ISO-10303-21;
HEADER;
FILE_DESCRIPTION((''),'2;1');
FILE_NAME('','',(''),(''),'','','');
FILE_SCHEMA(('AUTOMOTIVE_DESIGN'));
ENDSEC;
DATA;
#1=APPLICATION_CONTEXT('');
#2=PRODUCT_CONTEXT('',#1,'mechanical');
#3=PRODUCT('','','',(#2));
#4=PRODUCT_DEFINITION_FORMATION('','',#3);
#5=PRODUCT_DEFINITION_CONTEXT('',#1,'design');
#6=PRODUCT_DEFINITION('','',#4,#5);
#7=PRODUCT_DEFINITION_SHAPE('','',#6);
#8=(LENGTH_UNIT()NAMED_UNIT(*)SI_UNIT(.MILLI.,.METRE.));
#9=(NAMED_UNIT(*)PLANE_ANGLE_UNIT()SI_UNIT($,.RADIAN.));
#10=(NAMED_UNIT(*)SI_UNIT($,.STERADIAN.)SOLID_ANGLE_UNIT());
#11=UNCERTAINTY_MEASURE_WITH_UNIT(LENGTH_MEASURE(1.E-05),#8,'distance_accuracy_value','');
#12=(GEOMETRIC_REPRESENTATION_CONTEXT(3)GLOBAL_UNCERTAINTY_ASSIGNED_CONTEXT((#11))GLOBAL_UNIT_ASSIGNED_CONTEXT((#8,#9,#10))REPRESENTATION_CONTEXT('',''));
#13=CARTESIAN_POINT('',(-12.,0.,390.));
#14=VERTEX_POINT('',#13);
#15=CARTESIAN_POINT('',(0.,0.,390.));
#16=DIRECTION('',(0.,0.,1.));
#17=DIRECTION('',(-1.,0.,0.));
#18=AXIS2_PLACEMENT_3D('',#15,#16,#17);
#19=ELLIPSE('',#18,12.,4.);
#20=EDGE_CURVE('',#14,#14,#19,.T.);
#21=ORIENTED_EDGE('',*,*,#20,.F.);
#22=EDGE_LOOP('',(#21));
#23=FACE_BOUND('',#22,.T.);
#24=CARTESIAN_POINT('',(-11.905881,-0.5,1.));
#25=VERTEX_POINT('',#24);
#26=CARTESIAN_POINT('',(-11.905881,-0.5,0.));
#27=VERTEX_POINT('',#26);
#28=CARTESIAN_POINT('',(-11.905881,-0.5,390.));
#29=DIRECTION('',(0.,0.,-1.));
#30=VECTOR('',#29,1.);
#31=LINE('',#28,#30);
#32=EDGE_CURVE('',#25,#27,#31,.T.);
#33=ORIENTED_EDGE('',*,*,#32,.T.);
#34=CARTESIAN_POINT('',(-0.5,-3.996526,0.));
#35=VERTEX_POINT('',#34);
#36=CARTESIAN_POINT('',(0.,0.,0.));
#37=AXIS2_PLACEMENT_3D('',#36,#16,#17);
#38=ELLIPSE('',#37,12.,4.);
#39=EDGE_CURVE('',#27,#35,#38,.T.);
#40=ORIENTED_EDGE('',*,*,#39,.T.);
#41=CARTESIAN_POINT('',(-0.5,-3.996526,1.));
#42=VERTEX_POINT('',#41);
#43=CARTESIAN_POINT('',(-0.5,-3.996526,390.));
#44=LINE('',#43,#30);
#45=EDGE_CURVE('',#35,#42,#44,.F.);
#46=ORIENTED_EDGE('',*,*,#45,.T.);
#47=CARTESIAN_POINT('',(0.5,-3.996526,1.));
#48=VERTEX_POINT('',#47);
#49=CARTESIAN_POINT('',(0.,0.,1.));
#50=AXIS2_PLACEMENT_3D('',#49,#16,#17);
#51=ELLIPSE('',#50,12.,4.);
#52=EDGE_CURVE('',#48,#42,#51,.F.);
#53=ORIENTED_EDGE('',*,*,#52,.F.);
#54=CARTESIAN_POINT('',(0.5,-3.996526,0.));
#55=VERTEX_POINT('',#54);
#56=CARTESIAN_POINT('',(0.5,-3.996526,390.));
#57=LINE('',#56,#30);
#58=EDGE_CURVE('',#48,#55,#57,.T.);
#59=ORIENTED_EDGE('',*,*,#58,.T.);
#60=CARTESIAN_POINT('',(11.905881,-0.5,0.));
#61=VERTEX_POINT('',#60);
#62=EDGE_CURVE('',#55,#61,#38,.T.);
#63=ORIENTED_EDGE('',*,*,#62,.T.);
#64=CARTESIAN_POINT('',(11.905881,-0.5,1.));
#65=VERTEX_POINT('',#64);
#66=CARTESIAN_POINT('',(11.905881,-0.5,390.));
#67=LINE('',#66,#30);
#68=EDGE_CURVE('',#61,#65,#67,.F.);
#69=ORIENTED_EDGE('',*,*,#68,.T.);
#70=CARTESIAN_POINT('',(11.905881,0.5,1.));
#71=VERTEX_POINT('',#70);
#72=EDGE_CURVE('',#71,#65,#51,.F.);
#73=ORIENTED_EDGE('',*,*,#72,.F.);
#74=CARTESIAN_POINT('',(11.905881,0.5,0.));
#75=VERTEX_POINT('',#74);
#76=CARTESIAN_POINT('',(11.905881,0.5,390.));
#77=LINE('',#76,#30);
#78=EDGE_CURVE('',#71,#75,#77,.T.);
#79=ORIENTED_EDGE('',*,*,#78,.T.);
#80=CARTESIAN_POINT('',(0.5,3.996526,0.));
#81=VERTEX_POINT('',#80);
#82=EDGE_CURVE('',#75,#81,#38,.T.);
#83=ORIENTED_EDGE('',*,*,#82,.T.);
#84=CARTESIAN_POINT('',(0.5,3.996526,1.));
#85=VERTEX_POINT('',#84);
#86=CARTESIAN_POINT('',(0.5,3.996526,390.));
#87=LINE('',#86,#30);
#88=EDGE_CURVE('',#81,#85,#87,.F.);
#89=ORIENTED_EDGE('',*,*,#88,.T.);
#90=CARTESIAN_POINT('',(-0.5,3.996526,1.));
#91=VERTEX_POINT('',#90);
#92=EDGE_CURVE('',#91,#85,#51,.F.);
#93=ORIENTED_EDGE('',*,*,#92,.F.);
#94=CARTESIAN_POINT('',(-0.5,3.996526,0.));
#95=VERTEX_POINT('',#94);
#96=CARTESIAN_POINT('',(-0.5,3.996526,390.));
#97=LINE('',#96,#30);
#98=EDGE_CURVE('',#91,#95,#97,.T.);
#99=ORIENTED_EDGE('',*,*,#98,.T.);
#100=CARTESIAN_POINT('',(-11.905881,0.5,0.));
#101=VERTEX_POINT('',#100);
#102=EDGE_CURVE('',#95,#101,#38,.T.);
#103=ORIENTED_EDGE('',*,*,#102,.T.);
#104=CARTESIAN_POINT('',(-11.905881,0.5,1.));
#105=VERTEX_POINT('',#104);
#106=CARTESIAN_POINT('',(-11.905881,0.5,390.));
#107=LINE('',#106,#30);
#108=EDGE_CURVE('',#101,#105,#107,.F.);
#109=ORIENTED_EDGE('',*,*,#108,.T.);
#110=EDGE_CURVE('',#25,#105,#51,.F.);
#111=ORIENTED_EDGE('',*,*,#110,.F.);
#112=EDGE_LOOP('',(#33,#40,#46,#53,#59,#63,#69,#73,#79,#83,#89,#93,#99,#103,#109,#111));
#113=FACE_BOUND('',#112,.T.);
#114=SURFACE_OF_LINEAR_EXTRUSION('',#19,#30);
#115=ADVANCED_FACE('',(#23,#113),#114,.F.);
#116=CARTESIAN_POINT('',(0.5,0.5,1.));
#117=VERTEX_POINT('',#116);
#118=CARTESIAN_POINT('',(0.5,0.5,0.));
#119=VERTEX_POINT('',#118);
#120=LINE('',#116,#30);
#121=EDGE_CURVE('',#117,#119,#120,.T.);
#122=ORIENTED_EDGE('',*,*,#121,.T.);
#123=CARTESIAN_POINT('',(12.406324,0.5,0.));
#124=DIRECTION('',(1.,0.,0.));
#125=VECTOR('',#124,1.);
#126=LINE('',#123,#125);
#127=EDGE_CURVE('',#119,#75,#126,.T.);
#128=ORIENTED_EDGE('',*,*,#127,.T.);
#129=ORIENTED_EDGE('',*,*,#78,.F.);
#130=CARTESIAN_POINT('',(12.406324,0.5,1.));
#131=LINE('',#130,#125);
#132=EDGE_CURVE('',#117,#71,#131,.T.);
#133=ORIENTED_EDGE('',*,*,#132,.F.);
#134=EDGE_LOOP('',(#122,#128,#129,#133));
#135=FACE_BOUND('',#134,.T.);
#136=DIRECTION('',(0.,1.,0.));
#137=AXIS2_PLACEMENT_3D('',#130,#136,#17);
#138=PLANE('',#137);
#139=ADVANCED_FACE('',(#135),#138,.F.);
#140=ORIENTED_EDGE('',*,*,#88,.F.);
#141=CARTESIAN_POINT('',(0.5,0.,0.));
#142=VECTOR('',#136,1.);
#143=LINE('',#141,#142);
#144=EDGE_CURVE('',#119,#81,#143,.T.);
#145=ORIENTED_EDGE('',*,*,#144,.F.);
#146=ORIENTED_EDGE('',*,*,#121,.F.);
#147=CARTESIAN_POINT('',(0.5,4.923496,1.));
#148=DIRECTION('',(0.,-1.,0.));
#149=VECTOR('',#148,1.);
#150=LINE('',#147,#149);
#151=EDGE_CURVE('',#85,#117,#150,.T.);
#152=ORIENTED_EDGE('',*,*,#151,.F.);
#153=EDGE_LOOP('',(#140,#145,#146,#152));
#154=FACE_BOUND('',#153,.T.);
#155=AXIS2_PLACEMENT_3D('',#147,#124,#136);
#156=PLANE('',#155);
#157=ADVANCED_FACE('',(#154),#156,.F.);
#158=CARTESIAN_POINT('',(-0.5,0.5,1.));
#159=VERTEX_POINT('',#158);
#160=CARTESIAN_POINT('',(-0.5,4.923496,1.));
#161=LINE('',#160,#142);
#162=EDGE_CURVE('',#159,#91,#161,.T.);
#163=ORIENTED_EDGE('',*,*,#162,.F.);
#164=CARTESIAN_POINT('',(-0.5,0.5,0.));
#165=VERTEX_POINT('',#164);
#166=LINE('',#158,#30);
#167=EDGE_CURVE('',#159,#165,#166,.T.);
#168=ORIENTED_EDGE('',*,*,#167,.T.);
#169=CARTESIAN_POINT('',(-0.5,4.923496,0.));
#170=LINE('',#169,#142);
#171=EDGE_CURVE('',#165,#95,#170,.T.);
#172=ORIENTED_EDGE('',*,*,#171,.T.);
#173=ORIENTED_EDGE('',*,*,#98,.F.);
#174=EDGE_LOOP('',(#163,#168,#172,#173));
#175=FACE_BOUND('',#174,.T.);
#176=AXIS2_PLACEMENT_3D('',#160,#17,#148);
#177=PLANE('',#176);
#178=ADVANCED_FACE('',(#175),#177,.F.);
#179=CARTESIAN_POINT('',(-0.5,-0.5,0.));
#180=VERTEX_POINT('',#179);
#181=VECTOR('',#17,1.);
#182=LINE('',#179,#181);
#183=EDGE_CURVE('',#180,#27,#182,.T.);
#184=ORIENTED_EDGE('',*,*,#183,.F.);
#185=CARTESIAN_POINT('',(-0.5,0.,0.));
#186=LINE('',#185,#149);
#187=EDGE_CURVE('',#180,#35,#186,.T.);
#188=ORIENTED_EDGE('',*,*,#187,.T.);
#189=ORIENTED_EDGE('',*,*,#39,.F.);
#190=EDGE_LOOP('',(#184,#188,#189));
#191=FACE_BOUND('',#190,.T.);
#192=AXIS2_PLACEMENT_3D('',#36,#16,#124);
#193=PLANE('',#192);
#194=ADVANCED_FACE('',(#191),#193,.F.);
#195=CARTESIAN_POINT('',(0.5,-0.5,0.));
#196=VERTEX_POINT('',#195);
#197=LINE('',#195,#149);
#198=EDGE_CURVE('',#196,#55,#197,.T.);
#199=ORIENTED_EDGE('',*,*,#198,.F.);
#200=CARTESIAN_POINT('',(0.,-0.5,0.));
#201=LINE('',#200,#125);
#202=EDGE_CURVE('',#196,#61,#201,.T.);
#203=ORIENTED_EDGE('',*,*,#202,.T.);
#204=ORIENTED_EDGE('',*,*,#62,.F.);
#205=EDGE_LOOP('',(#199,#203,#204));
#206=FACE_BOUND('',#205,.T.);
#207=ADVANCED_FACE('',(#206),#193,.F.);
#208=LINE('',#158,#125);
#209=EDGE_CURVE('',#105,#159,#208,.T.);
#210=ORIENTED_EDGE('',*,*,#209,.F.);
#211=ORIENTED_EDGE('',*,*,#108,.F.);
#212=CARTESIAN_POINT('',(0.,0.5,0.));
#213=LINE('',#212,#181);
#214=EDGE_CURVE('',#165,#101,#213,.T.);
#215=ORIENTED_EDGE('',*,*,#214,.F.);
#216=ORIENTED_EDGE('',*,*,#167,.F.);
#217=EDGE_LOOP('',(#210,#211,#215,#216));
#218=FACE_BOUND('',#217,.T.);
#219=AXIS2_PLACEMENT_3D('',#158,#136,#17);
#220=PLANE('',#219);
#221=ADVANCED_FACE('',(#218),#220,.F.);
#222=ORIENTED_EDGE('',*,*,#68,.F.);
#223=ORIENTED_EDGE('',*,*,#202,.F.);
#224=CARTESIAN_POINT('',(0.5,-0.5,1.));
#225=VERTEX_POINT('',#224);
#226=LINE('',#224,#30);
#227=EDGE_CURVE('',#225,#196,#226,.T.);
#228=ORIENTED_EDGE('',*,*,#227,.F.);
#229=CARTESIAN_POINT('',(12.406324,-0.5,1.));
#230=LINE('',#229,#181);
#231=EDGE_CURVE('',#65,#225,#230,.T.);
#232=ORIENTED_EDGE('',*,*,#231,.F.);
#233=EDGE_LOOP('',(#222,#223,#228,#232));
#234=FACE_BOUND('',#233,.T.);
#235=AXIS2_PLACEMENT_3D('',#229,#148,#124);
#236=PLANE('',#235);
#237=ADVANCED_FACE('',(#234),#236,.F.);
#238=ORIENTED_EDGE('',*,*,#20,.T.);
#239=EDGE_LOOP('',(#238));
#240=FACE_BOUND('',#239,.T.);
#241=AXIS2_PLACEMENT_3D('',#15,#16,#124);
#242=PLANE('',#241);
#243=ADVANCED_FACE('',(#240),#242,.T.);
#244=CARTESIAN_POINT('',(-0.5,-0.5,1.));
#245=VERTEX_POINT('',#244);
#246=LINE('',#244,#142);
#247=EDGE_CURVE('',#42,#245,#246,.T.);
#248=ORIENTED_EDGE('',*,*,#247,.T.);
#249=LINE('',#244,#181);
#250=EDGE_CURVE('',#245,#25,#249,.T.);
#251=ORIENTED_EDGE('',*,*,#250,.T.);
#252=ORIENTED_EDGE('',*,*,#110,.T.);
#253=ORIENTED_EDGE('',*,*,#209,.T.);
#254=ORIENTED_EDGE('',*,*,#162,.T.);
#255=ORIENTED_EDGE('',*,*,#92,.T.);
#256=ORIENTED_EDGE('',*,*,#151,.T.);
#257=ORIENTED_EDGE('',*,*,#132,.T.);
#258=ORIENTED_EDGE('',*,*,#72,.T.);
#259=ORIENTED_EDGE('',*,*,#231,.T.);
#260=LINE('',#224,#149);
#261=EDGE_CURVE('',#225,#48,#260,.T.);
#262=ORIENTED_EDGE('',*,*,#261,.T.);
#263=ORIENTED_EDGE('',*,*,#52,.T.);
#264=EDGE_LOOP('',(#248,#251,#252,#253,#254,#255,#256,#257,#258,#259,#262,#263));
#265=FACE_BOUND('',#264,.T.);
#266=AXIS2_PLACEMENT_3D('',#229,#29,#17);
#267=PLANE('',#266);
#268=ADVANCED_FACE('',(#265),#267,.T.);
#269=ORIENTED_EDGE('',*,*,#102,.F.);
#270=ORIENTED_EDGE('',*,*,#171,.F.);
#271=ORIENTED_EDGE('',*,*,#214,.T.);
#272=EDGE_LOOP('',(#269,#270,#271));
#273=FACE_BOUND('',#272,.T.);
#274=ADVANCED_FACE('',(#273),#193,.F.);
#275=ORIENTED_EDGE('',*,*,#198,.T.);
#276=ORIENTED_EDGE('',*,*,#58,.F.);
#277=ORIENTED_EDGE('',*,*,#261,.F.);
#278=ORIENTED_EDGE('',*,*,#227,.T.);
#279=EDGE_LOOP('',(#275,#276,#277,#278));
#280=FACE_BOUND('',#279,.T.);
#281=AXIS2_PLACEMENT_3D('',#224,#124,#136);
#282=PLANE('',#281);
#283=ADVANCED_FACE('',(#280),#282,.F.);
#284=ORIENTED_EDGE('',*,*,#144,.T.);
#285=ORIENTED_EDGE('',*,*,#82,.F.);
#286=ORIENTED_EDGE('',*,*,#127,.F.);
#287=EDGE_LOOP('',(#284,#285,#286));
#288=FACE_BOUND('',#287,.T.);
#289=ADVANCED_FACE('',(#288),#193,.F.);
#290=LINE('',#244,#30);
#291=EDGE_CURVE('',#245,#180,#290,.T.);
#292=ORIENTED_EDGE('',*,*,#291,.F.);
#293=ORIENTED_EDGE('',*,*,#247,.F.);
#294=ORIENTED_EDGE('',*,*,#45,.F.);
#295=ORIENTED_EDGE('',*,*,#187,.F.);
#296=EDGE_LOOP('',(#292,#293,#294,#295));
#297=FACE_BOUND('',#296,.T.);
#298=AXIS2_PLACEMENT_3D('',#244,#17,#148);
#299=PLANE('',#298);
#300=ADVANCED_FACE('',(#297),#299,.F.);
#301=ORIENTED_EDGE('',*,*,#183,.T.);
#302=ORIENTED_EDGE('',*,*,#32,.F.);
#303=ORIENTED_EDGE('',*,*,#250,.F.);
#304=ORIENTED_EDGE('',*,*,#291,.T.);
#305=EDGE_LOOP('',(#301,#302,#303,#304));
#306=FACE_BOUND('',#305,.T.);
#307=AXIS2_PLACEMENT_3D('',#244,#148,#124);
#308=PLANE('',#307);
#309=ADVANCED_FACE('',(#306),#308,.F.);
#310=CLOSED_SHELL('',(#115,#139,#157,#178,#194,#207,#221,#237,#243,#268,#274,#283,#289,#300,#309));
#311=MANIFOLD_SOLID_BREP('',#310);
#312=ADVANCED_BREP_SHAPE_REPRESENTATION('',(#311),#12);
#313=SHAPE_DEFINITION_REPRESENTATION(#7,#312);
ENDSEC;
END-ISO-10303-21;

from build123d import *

# Parameters (mm, degrees)
ESQUISSE1_RX            = 12
ESQUISSE1_RY            = 4
BOSS_EXTRU_1_DEPTH      = 390
ENL_V_MAT_EXTRU_1_DEPTH = 1


with BuildPart() as part:
    # Esquisse1 → Boss.-Extru.1 (new body)
    with BuildSketch(Plane.XY):
        with Locations(Location((0, 0), (0, 0, 180))):
            Ellipse(ESQUISSE1_RX, ESQUISSE1_RY)
    extrude(amount=BOSS_EXTRU_1_DEPTH)

    # Esquisse2 → Enlèv. mat.-Extru.1 (cut)
    with BuildSketch(Plane(origin=(0, 0, 0), x_dir=(-1, 0, 0), z_dir=(0, 0, -1))):
        Polygon((0.5, -0.5), (0.5, -5.052696221), (-0.5, -5.052696221), (-0.5, -0.5), (-12.406324446, -0.5), (-12.406324446, 0.5), (-0.5, 0.5), (-0.5, 4.923496192), (0.5, 4.923496192), (0.5, 0.5), (12.27070909, 0.5), (12.27070909, -0.5), align=None)
    extrude(amount=-ENL_V_MAT_EXTRU_1_DEPTH, mode=Mode.SUBTRACT)


solid = part.part
